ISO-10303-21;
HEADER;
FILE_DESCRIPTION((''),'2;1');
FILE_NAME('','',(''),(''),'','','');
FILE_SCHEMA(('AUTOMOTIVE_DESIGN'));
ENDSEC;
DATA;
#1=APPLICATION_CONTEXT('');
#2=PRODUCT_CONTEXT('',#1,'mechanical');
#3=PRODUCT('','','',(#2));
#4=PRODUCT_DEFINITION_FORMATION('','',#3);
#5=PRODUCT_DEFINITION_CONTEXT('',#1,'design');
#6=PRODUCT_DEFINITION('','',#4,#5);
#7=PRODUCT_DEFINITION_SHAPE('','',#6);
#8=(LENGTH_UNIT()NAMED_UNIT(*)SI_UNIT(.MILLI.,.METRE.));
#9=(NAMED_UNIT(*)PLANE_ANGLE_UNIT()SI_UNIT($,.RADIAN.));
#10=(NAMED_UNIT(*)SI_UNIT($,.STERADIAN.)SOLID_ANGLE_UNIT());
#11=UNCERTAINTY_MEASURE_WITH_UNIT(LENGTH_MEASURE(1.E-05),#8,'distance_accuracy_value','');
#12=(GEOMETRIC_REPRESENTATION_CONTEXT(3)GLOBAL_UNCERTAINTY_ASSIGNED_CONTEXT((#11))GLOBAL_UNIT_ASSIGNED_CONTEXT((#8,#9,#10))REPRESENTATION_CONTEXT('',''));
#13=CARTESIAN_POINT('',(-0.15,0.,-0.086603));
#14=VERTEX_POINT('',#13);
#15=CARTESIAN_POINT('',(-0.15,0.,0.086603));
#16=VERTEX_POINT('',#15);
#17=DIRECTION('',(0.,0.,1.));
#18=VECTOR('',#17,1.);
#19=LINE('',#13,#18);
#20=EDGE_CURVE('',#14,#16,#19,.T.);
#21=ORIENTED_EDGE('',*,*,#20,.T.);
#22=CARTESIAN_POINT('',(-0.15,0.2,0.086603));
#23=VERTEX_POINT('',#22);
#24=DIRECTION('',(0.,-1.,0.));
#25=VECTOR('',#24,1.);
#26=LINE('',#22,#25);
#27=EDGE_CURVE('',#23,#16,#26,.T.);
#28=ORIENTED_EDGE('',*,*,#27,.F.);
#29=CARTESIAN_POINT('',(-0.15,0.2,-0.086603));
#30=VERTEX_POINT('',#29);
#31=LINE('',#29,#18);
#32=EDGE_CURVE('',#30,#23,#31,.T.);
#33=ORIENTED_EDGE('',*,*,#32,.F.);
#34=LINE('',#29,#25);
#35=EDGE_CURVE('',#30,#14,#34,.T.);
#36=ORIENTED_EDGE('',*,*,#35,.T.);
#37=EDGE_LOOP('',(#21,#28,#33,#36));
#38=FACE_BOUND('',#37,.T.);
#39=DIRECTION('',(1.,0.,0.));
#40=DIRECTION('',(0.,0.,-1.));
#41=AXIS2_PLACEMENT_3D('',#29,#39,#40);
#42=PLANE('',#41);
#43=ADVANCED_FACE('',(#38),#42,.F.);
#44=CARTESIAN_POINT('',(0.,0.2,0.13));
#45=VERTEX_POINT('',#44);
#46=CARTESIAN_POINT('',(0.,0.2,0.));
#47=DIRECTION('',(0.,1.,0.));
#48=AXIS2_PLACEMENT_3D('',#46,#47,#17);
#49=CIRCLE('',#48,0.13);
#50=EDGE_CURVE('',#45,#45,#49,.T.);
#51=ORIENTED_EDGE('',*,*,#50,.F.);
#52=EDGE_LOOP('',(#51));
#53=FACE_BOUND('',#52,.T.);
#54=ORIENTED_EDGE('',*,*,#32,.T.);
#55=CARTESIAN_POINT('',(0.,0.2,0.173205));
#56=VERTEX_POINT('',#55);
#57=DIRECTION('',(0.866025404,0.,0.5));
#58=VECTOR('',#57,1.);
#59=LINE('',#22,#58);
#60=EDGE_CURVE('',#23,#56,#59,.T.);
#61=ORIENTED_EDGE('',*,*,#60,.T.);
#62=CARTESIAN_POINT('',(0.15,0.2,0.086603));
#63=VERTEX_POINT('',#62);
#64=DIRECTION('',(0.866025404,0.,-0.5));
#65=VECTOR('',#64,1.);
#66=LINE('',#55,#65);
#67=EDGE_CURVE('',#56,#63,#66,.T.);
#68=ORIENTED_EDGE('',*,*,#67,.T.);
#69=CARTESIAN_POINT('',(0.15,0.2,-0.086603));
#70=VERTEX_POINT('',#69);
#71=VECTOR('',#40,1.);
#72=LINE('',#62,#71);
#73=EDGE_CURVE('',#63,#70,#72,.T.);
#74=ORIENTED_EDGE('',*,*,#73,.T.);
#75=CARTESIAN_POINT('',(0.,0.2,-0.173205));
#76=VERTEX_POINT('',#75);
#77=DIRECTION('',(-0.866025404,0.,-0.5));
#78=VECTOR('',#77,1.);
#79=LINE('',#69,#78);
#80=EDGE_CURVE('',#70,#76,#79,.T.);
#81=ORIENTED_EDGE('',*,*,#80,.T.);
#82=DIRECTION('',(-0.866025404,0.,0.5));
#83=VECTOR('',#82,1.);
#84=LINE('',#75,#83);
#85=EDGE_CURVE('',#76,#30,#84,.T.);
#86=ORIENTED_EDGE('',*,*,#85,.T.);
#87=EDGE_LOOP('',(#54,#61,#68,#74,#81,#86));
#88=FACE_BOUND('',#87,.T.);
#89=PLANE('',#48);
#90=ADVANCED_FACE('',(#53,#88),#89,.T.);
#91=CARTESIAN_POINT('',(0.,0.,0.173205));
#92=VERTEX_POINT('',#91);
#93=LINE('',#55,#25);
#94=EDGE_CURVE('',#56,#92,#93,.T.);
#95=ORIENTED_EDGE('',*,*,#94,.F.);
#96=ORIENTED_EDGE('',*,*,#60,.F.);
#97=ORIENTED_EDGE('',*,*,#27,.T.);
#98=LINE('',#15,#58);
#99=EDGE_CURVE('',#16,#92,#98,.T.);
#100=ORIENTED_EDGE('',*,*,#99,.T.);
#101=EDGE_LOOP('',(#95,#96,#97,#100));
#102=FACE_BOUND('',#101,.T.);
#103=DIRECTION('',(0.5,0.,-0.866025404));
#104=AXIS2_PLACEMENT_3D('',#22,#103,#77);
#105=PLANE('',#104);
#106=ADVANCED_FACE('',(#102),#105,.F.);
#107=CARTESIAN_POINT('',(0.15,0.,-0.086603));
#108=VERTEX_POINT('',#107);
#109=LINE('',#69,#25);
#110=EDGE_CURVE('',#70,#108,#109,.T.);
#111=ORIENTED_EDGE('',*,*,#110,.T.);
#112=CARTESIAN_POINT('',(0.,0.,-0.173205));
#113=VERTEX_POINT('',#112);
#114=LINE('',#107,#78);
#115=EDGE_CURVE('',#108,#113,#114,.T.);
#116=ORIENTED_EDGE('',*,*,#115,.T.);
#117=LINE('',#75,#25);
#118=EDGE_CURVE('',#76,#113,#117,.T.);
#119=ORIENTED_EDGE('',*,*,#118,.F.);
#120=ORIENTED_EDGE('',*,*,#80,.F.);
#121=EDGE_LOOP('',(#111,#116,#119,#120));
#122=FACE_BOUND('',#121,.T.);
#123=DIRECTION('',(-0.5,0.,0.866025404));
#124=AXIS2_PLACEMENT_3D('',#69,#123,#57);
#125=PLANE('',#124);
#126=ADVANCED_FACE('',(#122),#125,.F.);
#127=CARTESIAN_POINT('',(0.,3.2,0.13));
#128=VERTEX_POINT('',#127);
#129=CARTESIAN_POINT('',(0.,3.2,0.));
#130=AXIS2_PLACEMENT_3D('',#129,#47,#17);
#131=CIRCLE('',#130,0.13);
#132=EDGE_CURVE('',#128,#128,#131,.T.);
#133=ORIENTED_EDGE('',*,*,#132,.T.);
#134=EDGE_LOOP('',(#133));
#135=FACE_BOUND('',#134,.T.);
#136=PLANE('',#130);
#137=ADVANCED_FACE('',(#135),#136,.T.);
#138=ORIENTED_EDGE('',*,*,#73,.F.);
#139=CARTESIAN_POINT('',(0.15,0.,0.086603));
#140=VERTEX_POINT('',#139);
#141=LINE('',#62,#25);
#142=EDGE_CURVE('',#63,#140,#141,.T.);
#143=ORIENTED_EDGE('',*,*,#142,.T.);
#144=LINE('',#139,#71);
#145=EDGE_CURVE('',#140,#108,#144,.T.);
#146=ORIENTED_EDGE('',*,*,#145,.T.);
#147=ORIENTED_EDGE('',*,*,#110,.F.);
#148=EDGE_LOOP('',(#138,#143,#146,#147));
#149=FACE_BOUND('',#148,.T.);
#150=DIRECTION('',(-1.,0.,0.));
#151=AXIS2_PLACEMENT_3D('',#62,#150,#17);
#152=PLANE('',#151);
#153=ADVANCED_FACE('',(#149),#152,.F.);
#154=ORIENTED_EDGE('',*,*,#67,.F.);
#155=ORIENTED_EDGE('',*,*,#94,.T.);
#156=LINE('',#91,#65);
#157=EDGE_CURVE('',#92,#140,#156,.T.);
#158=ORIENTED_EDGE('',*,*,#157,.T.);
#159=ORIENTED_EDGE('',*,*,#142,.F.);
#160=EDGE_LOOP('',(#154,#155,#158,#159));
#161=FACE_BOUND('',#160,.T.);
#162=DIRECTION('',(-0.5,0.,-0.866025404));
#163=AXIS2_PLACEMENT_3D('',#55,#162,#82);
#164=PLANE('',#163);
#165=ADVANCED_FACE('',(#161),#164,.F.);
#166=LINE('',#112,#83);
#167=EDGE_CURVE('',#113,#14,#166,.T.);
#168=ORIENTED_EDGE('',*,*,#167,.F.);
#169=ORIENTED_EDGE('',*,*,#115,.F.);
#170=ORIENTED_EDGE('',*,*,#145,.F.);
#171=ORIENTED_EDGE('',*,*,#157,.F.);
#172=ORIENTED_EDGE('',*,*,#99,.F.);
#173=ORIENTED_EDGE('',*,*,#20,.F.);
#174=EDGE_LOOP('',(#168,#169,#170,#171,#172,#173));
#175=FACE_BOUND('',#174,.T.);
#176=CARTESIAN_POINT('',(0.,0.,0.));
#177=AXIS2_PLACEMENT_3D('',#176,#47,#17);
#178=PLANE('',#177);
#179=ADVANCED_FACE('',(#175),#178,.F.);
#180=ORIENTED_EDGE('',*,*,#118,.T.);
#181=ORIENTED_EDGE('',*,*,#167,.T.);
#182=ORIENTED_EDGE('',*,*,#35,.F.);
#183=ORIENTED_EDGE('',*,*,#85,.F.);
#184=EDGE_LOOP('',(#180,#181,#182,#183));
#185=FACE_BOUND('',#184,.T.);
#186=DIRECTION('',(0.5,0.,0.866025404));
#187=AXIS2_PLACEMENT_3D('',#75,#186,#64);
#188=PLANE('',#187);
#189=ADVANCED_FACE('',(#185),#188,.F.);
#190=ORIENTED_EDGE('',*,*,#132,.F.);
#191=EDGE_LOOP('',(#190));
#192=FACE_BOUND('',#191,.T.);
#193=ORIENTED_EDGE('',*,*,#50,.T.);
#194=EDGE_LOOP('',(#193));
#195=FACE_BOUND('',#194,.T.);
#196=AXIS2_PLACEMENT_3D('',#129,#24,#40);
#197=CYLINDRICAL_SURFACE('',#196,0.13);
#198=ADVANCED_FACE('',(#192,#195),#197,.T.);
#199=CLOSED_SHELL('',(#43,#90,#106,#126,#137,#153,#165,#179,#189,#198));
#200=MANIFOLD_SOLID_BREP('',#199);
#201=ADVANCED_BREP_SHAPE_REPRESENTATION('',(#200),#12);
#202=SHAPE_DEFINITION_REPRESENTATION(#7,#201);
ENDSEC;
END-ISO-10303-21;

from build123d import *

# Parameters (mm, degrees)
BOSS_EXTRUDE1_DEPTH = 0.2
SKETCH2_R           = 0.13
BOSS_EXTRUDE2_DEPTH = 3


with BuildPart() as part:
    # Sketch1 → Boss-Extrude1 (new body)
    with BuildSketch(Plane(origin=(0, 0, 0), x_dir=(1, 0, 0), z_dir=(0, 1, 0))):
        Polygon((0.15, -0.08660254), (0.15, 0.08660254), (0, 0.173205081), (-0.15, 0.08660254), (-0.15, -0.08660254), (0, -0.173205081), align=None)
    extrude(amount=BOSS_EXTRUDE1_DEPTH)

    # Sketch2 → Boss-Extrude2 (add)
    with BuildSketch(Plane(origin=(0, 0.2, 0), x_dir=(1, 0, 0), z_dir=(0, 1, 0))):
        with Locations(Location((0, 0, 0), (0, 0, 270))):
            Circle(SKETCH2_R)
    extrude(amount=BOSS_EXTRUDE2_DEPTH)


solid = part.part
